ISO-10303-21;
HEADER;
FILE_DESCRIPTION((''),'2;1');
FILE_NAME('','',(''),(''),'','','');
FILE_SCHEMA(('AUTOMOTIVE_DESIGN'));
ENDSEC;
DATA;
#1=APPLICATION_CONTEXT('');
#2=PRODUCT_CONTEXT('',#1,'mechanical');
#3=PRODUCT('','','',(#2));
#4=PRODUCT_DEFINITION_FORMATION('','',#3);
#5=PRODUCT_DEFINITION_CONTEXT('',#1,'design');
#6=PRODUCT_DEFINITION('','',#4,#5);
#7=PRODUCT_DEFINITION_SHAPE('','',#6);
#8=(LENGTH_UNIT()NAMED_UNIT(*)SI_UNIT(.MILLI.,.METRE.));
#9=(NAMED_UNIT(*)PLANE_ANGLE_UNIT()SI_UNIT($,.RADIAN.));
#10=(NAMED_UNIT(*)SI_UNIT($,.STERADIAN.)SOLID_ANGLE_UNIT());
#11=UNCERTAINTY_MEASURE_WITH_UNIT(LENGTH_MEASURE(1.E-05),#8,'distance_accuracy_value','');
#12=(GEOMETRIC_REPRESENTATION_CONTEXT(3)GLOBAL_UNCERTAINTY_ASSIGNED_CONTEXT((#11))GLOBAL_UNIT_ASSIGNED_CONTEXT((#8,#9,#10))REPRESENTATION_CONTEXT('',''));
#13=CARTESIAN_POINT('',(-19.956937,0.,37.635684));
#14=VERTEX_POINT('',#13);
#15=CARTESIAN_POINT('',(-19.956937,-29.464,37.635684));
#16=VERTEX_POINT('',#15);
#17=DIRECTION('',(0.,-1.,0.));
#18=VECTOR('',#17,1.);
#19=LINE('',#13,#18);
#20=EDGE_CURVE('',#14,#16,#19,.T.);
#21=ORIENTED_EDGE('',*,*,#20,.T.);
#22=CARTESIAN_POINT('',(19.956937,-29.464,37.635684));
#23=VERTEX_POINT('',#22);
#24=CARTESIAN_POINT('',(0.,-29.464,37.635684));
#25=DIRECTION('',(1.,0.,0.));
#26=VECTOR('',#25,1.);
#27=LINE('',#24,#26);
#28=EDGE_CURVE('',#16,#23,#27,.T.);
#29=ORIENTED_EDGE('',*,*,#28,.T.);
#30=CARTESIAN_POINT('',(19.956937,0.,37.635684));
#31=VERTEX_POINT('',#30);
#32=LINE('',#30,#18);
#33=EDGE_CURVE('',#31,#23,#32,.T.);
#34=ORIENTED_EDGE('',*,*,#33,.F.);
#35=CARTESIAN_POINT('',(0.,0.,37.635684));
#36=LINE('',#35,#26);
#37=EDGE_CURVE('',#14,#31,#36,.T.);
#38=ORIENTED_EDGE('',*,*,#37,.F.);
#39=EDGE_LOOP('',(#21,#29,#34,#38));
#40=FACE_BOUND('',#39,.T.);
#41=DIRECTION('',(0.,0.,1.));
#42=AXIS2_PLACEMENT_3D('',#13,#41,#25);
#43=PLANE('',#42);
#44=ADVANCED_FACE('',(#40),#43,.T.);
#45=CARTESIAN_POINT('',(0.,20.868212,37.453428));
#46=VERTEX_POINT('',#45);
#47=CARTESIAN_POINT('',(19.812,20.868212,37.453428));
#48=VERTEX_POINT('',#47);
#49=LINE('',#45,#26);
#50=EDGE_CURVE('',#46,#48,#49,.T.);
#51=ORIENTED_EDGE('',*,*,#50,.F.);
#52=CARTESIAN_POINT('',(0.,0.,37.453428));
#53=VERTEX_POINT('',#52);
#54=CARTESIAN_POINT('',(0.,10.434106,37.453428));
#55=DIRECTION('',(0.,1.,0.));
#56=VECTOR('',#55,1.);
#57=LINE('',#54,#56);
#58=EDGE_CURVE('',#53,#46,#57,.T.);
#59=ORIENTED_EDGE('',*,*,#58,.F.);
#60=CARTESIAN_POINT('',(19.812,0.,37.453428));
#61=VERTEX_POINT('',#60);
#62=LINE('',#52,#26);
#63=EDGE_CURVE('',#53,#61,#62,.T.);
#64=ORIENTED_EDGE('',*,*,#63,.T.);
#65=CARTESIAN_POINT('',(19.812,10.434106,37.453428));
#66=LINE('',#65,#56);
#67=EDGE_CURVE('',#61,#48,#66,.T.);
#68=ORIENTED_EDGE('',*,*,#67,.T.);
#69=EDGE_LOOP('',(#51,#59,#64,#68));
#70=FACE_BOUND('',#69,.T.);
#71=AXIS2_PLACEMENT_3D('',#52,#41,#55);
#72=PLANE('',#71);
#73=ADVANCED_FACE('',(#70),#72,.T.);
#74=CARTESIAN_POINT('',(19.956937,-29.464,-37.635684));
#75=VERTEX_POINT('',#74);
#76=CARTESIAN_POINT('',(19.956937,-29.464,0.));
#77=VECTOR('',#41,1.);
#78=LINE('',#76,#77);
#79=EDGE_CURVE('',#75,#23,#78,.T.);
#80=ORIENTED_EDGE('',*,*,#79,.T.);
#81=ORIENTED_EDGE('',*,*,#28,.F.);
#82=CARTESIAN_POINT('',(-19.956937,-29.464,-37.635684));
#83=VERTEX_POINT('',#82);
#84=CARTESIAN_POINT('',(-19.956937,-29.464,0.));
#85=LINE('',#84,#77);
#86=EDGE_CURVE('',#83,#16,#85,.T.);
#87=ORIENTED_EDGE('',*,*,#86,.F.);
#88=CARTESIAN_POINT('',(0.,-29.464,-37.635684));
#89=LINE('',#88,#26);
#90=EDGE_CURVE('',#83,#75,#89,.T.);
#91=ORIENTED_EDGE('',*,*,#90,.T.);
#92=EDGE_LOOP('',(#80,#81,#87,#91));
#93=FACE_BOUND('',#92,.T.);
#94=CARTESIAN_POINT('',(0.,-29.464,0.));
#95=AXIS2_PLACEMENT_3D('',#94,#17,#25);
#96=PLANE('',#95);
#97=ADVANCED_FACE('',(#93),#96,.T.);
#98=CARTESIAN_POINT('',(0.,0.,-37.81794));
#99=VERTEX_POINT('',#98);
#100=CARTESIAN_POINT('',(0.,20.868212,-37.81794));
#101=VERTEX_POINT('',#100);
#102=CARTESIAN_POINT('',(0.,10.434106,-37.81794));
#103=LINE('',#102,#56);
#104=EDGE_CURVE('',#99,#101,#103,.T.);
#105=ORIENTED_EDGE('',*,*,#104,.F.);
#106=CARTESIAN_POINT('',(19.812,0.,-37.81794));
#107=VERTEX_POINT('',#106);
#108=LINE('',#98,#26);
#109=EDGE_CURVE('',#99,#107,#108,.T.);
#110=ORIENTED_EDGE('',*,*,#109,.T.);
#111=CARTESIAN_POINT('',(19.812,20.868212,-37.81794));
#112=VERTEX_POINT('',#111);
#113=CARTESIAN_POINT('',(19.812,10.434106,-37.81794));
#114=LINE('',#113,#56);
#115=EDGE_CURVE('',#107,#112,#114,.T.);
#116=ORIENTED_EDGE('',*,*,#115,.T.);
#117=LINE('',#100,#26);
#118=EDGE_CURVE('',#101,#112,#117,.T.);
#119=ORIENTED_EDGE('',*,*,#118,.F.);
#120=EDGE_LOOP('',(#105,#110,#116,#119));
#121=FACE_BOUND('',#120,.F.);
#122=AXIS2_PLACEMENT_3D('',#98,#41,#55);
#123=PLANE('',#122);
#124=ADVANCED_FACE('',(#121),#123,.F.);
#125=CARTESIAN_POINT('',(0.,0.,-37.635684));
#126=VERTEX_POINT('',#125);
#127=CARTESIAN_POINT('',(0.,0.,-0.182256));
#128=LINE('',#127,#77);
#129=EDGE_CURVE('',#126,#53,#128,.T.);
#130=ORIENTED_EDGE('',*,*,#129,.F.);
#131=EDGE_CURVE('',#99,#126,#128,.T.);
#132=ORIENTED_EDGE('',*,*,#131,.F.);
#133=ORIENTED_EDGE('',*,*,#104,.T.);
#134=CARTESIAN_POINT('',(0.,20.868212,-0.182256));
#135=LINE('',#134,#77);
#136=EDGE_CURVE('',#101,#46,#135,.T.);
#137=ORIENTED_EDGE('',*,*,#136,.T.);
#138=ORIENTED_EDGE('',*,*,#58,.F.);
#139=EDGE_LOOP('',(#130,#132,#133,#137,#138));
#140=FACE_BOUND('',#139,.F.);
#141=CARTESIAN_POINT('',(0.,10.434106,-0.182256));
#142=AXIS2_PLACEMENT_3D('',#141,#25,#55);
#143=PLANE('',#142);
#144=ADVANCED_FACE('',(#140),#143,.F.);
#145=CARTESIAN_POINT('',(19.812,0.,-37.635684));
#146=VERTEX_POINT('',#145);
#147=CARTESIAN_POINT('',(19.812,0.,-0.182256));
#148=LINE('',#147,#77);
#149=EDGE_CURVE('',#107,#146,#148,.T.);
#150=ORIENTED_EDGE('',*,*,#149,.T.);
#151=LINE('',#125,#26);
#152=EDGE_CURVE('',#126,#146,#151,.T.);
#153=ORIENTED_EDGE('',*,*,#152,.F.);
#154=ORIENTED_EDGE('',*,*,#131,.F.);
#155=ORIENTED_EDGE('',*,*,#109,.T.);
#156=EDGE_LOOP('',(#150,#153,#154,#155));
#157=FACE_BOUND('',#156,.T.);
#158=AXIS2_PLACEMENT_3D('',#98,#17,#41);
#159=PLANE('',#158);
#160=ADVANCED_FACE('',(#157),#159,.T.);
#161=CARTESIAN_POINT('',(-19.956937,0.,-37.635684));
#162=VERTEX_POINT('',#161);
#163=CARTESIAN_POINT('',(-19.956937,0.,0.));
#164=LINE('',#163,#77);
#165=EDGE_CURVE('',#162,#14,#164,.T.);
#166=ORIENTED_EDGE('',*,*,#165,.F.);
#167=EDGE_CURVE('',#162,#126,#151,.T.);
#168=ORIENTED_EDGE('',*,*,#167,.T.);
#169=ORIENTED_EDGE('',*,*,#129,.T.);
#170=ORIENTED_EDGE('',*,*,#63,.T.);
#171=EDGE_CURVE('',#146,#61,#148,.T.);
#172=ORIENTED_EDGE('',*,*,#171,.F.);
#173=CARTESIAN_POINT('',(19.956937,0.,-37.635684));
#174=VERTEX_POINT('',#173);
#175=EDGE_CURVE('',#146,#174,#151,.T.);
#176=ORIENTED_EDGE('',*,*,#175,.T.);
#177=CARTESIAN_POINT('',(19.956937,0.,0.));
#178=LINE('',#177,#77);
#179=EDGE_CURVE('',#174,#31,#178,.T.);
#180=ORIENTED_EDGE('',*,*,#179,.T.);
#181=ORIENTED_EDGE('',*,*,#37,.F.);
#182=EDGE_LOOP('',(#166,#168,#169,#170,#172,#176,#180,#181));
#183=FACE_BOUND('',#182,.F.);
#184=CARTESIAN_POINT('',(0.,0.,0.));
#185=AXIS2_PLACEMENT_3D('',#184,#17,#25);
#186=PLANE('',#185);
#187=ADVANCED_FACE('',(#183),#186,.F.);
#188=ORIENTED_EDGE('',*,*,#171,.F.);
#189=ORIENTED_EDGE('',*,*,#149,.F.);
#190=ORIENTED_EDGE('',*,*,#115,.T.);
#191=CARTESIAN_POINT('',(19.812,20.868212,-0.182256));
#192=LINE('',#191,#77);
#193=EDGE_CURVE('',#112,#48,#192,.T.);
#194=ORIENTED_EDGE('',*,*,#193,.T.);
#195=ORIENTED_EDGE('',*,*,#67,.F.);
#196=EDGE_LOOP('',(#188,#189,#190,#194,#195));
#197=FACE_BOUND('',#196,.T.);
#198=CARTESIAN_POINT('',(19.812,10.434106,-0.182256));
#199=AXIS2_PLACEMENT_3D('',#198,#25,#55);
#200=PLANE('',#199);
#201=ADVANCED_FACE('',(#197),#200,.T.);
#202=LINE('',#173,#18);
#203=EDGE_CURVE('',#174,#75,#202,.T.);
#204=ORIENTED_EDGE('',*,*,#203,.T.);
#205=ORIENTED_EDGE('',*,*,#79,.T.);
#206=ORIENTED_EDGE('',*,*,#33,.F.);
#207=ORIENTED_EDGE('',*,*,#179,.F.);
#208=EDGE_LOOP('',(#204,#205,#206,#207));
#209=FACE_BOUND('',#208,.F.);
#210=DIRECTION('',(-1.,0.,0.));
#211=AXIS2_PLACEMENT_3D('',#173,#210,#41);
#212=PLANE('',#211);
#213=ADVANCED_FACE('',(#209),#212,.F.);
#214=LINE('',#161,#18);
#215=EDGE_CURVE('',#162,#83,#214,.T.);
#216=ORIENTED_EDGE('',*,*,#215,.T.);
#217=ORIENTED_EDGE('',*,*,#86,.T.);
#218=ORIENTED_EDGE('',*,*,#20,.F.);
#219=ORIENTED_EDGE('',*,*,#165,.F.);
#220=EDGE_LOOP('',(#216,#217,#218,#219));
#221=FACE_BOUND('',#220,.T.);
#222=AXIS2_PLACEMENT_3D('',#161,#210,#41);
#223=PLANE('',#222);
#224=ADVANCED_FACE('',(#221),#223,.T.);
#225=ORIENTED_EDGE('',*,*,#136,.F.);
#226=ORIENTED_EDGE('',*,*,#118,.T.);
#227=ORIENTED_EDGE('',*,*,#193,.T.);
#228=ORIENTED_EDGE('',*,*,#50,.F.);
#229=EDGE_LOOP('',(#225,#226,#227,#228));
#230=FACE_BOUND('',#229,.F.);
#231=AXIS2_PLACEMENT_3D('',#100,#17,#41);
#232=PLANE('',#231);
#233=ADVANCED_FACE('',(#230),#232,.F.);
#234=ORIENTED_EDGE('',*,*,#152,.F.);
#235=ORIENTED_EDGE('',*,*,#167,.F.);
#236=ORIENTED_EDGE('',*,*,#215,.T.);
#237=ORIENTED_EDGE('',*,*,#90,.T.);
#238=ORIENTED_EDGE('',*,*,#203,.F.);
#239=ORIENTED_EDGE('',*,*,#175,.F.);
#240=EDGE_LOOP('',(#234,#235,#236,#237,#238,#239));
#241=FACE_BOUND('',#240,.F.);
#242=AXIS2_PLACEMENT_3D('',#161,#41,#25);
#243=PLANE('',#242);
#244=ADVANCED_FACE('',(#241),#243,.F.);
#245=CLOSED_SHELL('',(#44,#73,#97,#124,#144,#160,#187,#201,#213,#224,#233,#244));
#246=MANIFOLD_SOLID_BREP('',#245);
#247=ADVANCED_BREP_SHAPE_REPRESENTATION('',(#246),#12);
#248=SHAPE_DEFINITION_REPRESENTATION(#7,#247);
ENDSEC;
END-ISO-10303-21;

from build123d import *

# Parameters (mm, degrees)
F1_W     = 39.913874
F1_H     = 75.271368
F2_DEPTH = 29.464
F3_W     = 20.868212
F3_H     = 75.271368
F4_DEPTH = 19.812


with BuildPart() as f2:
    # F1 (on face) → F2 (new body)
    with BuildSketch(Plane.XZ):
        Rectangle(F1_W, F1_H)
    extrude(amount=F2_DEPTH)

    # F3 (on Right) → F4 (join)
    with BuildSketch(Plane.YZ):
        with Locations((10.434106, -0.182256)):
            Rectangle(F3_W, F3_H)
    extrude(amount=F4_DEPTH)


solid = f2.part
